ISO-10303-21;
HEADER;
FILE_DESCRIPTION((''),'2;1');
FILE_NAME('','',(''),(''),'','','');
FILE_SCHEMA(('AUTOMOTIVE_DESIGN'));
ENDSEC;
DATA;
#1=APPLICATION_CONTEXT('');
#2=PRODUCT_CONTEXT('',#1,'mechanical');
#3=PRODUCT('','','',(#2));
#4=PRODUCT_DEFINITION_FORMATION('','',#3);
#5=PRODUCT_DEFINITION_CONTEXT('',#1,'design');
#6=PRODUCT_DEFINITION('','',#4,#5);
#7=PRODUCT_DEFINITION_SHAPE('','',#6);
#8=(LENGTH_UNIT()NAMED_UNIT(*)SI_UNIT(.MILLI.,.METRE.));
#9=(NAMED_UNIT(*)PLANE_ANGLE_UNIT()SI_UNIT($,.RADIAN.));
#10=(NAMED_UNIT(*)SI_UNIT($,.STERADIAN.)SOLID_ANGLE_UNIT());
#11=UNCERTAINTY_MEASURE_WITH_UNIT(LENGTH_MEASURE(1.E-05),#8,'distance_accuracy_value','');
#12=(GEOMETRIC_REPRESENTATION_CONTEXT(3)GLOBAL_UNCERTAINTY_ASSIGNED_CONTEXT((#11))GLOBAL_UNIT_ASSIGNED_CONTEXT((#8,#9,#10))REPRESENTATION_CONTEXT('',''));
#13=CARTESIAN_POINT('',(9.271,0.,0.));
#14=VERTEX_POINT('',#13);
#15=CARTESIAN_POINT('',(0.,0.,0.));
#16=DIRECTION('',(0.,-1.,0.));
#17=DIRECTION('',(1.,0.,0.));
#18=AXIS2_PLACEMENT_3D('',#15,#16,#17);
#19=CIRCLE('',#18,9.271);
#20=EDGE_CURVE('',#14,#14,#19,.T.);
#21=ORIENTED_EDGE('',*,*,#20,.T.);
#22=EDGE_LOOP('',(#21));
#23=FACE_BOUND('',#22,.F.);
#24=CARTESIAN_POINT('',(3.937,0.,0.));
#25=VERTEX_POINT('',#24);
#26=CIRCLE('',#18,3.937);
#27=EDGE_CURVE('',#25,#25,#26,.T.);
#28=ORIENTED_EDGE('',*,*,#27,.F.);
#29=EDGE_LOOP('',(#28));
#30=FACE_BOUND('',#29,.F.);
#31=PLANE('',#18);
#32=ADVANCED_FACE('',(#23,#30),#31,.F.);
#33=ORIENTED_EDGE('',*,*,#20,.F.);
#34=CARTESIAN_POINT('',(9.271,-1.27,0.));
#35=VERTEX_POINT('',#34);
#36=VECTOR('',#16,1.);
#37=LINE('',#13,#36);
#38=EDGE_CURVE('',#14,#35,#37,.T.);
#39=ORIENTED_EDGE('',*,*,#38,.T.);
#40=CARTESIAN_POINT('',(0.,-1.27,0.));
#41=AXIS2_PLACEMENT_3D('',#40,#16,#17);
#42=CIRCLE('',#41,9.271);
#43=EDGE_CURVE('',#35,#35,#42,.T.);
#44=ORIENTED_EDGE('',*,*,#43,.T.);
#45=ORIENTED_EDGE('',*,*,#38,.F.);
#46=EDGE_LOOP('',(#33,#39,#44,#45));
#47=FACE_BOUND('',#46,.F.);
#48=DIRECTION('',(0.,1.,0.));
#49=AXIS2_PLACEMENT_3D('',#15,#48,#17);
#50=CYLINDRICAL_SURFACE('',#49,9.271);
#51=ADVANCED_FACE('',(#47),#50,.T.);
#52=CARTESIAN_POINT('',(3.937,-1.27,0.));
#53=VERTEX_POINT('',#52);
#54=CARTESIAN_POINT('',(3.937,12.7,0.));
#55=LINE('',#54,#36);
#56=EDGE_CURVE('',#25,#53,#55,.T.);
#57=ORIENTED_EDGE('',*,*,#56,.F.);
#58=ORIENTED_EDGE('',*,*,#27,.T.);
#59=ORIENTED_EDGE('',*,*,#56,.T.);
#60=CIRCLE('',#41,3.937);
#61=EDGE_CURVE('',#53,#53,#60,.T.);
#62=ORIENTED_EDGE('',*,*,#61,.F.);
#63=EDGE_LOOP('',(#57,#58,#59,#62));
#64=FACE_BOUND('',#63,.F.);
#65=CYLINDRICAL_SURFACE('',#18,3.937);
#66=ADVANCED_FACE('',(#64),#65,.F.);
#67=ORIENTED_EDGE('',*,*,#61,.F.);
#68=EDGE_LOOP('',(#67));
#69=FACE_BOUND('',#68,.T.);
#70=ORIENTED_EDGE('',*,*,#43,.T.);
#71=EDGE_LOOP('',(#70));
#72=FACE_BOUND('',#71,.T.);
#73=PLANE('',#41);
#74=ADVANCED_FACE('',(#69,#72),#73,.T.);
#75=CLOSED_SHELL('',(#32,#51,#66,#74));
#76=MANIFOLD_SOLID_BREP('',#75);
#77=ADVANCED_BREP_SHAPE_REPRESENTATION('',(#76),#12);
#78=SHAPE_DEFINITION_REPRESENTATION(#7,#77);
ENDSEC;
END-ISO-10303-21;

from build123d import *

# Parameters (mm, degrees)
F0_R     = 9.271
F2_DEPTH = 1.27
F1_R     = 3.937
F3_DEPTH = 12.7


with BuildPart() as f2:
    # F0 (on Front) → F2 (new body)
    with BuildSketch(Plane.XZ):
        Circle(F0_R)
    extrude(amount=F2_DEPTH)

    # F1 (on Front) → F3 (cut, symmetric)
    with BuildSketch(Plane.XZ):
        Circle(F1_R)
    extrude(amount=F3_DEPTH, both=True, mode=Mode.SUBTRACT)


solid = f2.part
